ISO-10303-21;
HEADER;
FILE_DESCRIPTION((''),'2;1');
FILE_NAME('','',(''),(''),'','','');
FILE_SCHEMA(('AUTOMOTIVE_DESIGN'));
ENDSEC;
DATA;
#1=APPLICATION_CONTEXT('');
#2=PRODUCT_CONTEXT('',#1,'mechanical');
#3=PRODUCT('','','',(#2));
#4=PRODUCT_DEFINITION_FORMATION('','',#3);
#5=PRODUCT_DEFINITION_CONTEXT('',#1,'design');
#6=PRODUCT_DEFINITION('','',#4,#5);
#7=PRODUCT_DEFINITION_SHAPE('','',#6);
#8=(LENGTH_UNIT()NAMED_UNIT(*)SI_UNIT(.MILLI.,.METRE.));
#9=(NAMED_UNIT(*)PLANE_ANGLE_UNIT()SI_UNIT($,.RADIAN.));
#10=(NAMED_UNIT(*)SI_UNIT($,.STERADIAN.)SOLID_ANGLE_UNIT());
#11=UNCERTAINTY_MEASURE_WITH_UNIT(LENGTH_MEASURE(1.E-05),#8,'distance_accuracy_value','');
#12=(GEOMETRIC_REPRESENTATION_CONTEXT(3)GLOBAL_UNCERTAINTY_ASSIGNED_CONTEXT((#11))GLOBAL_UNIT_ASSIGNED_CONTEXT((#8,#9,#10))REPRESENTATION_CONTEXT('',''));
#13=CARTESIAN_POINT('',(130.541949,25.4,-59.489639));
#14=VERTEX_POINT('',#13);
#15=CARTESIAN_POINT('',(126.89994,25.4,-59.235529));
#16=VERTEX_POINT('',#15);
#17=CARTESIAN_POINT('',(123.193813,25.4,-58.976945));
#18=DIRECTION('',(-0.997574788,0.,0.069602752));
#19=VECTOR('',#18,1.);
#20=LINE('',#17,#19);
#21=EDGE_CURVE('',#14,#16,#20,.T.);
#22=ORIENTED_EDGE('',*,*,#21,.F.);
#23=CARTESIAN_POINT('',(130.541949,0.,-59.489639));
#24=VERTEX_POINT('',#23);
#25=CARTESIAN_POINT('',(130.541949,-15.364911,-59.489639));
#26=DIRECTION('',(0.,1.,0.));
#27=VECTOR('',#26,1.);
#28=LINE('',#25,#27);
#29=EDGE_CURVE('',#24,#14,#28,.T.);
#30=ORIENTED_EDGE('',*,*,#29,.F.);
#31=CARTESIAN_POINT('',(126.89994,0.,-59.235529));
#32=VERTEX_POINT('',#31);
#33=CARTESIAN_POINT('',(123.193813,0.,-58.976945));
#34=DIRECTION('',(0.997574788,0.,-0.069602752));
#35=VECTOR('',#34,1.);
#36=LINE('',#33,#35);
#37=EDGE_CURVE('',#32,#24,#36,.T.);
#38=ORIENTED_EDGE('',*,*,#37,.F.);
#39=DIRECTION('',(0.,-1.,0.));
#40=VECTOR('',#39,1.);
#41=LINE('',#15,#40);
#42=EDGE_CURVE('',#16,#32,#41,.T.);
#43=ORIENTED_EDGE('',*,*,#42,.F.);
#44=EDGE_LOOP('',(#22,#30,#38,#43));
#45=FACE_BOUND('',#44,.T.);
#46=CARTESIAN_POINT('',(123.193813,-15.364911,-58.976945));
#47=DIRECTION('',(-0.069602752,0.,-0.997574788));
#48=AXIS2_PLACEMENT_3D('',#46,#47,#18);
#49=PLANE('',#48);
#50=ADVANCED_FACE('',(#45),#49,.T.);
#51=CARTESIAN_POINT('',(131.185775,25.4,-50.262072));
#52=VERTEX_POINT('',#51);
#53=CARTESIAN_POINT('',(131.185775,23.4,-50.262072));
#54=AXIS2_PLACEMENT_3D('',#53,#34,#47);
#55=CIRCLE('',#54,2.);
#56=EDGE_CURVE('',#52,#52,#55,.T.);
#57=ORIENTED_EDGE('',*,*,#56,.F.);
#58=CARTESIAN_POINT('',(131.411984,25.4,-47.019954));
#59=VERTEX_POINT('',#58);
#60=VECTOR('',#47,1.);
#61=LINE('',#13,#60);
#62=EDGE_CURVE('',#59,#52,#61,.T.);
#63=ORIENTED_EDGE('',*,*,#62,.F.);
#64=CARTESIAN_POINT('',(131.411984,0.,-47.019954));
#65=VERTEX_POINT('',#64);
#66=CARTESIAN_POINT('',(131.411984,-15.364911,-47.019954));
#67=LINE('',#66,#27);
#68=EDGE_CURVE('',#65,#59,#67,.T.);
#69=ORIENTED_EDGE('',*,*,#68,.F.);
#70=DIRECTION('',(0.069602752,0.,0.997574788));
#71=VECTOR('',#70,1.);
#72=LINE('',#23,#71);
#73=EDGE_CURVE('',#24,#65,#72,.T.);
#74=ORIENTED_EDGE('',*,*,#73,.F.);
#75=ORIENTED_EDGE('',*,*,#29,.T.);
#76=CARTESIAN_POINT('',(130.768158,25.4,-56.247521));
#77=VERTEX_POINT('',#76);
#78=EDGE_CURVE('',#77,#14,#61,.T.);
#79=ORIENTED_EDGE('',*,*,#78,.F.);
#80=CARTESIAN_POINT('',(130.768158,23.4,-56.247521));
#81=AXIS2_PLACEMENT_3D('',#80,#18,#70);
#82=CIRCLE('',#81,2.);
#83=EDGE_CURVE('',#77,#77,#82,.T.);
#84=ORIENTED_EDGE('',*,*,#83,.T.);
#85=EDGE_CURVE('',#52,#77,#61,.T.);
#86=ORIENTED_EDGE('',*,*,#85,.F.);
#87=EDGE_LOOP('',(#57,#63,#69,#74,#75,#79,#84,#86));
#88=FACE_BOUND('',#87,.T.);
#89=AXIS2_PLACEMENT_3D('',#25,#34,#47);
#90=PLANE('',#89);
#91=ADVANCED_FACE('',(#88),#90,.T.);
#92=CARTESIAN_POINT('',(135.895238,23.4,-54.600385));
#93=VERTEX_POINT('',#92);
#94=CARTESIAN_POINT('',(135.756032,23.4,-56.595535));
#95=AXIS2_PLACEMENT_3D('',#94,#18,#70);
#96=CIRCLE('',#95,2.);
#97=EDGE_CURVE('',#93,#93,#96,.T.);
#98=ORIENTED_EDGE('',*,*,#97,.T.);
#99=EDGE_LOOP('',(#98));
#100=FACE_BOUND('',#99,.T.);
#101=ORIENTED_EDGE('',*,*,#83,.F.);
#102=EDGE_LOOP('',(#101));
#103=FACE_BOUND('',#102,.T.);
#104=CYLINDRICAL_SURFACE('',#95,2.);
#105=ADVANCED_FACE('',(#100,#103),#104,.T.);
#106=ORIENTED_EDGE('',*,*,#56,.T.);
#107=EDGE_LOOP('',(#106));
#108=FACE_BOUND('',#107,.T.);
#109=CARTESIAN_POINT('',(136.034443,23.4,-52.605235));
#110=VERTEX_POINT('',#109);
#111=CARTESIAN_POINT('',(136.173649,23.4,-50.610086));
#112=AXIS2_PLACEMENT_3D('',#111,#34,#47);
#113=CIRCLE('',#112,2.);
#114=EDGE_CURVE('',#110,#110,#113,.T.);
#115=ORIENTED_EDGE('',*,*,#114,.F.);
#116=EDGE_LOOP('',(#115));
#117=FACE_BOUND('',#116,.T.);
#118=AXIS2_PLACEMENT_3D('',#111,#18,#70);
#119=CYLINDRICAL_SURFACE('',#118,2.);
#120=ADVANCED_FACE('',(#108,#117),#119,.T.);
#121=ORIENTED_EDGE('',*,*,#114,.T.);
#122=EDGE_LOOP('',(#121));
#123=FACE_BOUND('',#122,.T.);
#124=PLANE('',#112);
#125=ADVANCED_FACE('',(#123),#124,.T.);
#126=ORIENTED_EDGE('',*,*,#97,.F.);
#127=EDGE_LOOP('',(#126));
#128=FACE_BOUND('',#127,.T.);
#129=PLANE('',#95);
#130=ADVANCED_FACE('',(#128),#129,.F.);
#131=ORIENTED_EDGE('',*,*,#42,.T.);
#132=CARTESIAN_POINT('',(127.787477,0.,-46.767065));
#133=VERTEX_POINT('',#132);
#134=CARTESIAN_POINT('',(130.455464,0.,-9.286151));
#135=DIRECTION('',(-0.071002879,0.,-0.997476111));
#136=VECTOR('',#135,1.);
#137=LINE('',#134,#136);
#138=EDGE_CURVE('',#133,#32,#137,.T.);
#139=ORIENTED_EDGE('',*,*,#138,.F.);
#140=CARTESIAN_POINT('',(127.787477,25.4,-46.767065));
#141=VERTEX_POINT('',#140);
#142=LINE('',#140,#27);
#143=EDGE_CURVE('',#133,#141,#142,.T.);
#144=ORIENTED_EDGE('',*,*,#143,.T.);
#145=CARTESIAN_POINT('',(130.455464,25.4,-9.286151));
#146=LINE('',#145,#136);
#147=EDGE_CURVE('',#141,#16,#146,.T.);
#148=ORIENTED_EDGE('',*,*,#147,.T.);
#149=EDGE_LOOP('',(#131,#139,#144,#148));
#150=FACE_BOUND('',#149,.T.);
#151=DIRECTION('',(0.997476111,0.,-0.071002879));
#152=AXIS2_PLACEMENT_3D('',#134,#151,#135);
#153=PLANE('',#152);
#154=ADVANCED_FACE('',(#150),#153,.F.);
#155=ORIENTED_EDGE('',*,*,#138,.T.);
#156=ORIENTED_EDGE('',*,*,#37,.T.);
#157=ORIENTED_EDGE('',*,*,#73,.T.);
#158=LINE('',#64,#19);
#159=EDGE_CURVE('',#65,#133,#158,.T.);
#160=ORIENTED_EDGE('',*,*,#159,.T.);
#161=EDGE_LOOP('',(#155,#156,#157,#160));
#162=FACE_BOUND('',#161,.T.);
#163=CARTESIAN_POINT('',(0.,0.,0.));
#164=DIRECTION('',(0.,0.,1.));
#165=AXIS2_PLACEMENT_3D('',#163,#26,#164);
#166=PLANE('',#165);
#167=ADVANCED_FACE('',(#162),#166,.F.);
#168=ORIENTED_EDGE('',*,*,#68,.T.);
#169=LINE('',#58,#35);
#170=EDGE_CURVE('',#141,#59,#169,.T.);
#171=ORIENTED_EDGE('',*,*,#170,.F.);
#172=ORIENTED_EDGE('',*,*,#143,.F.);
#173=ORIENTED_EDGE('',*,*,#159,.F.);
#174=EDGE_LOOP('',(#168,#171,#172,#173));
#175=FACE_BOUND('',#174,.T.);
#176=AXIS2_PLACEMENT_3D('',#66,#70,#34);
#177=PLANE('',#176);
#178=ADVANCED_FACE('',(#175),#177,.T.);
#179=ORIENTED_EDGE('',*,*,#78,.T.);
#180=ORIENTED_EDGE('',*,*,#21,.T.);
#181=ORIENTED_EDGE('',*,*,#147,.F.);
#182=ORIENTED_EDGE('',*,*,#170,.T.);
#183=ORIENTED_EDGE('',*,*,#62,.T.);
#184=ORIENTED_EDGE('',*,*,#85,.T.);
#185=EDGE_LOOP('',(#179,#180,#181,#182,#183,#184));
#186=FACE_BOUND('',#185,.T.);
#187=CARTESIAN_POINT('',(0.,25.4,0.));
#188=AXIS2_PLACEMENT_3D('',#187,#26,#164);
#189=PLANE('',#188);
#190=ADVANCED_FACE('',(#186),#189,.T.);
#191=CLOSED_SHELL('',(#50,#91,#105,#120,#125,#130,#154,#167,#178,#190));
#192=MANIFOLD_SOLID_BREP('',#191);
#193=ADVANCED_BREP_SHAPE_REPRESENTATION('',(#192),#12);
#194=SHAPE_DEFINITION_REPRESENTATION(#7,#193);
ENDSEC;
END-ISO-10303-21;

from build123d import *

# Parameters (mm, degrees)
BOSS_EXTRUDE1_DEPTH = 25.4
BOSS_EXTRUDE2_DEPTH = 25.4
SKETCH3_R           = 2
BOSS_EXTRUDE3_DEPTH = 5


with BuildPart() as part:
    # Sketch1 → Boss-Extrude1 (new body)
    with BuildSketch(Plane(origin=(0, 0, 0), x_dir=(1, 0, 0), z_dir=(0, 1, 0))):
        Polygon((83.176569024, -44.663089882), (25.185203896, -48.709261314), (-35.715075295, 41.609133969), (-10.223479979, 93.854215086), (98.44468436, 101.436206322), (130.944454172, 53.237296637), align=None)
        Polygon((28.400509379, -42.119485598), (-28.400509379, 42.119485598), (-6.124219546, 87.774790999), (95.229378877, 94.846430606), (123.629888256, 52.726945008), (79.07730859, -38.583665795), align=None, mode=Mode.SUBTRACT)
    extrude(amount=BOSS_EXTRUDE1_DEPTH)

    # Sketch2 → Boss-Extrude2 (add)
    with BuildSketch(Plane(origin=(0, 25.4, 0), x_dir=(1, 0, 0), z_dir=(0, 1, 0))):
        Polygon((123.193813482, 58.976945008), (124.063847882, 46.507260162), (131.411983768, 47.019954034), (130.541949367, 59.489638879), align=None)
    extrude(amount=-BOSS_EXTRUDE2_DEPTH)

    # Sketch3 → Boss-Extrude3 (add)
    with BuildSketch(Plane(origin=(134.040133914, 0, -9.35224338), x_dir=(-0.06960275203236939, 0, -0.9975747876272337), z_dir=(0.9975747876272337, 0, -0.06960275203236939))):
        with Locations(Location((41.009284939, 23.4, 0), (0, 0, 90))):
            Circle(SKETCH3_R)
        with Locations(Location((47.009284939, 23.4, 0), (0, 0, 180))):
            Circle(SKETCH3_R)
    extrude(amount=BOSS_EXTRUDE3_DEPTH)

    # SurfaceCut1
    split(bisect_by=Plane(origin=(130.455463613, 0, -9.286150729), x_dir=(-0.07100287910742022, 0, -0.9974761105703019), z_dir=(0.9974761105703019, 0, -0.07100287910742022)), keep=Keep.TOP)


solid = part.part
